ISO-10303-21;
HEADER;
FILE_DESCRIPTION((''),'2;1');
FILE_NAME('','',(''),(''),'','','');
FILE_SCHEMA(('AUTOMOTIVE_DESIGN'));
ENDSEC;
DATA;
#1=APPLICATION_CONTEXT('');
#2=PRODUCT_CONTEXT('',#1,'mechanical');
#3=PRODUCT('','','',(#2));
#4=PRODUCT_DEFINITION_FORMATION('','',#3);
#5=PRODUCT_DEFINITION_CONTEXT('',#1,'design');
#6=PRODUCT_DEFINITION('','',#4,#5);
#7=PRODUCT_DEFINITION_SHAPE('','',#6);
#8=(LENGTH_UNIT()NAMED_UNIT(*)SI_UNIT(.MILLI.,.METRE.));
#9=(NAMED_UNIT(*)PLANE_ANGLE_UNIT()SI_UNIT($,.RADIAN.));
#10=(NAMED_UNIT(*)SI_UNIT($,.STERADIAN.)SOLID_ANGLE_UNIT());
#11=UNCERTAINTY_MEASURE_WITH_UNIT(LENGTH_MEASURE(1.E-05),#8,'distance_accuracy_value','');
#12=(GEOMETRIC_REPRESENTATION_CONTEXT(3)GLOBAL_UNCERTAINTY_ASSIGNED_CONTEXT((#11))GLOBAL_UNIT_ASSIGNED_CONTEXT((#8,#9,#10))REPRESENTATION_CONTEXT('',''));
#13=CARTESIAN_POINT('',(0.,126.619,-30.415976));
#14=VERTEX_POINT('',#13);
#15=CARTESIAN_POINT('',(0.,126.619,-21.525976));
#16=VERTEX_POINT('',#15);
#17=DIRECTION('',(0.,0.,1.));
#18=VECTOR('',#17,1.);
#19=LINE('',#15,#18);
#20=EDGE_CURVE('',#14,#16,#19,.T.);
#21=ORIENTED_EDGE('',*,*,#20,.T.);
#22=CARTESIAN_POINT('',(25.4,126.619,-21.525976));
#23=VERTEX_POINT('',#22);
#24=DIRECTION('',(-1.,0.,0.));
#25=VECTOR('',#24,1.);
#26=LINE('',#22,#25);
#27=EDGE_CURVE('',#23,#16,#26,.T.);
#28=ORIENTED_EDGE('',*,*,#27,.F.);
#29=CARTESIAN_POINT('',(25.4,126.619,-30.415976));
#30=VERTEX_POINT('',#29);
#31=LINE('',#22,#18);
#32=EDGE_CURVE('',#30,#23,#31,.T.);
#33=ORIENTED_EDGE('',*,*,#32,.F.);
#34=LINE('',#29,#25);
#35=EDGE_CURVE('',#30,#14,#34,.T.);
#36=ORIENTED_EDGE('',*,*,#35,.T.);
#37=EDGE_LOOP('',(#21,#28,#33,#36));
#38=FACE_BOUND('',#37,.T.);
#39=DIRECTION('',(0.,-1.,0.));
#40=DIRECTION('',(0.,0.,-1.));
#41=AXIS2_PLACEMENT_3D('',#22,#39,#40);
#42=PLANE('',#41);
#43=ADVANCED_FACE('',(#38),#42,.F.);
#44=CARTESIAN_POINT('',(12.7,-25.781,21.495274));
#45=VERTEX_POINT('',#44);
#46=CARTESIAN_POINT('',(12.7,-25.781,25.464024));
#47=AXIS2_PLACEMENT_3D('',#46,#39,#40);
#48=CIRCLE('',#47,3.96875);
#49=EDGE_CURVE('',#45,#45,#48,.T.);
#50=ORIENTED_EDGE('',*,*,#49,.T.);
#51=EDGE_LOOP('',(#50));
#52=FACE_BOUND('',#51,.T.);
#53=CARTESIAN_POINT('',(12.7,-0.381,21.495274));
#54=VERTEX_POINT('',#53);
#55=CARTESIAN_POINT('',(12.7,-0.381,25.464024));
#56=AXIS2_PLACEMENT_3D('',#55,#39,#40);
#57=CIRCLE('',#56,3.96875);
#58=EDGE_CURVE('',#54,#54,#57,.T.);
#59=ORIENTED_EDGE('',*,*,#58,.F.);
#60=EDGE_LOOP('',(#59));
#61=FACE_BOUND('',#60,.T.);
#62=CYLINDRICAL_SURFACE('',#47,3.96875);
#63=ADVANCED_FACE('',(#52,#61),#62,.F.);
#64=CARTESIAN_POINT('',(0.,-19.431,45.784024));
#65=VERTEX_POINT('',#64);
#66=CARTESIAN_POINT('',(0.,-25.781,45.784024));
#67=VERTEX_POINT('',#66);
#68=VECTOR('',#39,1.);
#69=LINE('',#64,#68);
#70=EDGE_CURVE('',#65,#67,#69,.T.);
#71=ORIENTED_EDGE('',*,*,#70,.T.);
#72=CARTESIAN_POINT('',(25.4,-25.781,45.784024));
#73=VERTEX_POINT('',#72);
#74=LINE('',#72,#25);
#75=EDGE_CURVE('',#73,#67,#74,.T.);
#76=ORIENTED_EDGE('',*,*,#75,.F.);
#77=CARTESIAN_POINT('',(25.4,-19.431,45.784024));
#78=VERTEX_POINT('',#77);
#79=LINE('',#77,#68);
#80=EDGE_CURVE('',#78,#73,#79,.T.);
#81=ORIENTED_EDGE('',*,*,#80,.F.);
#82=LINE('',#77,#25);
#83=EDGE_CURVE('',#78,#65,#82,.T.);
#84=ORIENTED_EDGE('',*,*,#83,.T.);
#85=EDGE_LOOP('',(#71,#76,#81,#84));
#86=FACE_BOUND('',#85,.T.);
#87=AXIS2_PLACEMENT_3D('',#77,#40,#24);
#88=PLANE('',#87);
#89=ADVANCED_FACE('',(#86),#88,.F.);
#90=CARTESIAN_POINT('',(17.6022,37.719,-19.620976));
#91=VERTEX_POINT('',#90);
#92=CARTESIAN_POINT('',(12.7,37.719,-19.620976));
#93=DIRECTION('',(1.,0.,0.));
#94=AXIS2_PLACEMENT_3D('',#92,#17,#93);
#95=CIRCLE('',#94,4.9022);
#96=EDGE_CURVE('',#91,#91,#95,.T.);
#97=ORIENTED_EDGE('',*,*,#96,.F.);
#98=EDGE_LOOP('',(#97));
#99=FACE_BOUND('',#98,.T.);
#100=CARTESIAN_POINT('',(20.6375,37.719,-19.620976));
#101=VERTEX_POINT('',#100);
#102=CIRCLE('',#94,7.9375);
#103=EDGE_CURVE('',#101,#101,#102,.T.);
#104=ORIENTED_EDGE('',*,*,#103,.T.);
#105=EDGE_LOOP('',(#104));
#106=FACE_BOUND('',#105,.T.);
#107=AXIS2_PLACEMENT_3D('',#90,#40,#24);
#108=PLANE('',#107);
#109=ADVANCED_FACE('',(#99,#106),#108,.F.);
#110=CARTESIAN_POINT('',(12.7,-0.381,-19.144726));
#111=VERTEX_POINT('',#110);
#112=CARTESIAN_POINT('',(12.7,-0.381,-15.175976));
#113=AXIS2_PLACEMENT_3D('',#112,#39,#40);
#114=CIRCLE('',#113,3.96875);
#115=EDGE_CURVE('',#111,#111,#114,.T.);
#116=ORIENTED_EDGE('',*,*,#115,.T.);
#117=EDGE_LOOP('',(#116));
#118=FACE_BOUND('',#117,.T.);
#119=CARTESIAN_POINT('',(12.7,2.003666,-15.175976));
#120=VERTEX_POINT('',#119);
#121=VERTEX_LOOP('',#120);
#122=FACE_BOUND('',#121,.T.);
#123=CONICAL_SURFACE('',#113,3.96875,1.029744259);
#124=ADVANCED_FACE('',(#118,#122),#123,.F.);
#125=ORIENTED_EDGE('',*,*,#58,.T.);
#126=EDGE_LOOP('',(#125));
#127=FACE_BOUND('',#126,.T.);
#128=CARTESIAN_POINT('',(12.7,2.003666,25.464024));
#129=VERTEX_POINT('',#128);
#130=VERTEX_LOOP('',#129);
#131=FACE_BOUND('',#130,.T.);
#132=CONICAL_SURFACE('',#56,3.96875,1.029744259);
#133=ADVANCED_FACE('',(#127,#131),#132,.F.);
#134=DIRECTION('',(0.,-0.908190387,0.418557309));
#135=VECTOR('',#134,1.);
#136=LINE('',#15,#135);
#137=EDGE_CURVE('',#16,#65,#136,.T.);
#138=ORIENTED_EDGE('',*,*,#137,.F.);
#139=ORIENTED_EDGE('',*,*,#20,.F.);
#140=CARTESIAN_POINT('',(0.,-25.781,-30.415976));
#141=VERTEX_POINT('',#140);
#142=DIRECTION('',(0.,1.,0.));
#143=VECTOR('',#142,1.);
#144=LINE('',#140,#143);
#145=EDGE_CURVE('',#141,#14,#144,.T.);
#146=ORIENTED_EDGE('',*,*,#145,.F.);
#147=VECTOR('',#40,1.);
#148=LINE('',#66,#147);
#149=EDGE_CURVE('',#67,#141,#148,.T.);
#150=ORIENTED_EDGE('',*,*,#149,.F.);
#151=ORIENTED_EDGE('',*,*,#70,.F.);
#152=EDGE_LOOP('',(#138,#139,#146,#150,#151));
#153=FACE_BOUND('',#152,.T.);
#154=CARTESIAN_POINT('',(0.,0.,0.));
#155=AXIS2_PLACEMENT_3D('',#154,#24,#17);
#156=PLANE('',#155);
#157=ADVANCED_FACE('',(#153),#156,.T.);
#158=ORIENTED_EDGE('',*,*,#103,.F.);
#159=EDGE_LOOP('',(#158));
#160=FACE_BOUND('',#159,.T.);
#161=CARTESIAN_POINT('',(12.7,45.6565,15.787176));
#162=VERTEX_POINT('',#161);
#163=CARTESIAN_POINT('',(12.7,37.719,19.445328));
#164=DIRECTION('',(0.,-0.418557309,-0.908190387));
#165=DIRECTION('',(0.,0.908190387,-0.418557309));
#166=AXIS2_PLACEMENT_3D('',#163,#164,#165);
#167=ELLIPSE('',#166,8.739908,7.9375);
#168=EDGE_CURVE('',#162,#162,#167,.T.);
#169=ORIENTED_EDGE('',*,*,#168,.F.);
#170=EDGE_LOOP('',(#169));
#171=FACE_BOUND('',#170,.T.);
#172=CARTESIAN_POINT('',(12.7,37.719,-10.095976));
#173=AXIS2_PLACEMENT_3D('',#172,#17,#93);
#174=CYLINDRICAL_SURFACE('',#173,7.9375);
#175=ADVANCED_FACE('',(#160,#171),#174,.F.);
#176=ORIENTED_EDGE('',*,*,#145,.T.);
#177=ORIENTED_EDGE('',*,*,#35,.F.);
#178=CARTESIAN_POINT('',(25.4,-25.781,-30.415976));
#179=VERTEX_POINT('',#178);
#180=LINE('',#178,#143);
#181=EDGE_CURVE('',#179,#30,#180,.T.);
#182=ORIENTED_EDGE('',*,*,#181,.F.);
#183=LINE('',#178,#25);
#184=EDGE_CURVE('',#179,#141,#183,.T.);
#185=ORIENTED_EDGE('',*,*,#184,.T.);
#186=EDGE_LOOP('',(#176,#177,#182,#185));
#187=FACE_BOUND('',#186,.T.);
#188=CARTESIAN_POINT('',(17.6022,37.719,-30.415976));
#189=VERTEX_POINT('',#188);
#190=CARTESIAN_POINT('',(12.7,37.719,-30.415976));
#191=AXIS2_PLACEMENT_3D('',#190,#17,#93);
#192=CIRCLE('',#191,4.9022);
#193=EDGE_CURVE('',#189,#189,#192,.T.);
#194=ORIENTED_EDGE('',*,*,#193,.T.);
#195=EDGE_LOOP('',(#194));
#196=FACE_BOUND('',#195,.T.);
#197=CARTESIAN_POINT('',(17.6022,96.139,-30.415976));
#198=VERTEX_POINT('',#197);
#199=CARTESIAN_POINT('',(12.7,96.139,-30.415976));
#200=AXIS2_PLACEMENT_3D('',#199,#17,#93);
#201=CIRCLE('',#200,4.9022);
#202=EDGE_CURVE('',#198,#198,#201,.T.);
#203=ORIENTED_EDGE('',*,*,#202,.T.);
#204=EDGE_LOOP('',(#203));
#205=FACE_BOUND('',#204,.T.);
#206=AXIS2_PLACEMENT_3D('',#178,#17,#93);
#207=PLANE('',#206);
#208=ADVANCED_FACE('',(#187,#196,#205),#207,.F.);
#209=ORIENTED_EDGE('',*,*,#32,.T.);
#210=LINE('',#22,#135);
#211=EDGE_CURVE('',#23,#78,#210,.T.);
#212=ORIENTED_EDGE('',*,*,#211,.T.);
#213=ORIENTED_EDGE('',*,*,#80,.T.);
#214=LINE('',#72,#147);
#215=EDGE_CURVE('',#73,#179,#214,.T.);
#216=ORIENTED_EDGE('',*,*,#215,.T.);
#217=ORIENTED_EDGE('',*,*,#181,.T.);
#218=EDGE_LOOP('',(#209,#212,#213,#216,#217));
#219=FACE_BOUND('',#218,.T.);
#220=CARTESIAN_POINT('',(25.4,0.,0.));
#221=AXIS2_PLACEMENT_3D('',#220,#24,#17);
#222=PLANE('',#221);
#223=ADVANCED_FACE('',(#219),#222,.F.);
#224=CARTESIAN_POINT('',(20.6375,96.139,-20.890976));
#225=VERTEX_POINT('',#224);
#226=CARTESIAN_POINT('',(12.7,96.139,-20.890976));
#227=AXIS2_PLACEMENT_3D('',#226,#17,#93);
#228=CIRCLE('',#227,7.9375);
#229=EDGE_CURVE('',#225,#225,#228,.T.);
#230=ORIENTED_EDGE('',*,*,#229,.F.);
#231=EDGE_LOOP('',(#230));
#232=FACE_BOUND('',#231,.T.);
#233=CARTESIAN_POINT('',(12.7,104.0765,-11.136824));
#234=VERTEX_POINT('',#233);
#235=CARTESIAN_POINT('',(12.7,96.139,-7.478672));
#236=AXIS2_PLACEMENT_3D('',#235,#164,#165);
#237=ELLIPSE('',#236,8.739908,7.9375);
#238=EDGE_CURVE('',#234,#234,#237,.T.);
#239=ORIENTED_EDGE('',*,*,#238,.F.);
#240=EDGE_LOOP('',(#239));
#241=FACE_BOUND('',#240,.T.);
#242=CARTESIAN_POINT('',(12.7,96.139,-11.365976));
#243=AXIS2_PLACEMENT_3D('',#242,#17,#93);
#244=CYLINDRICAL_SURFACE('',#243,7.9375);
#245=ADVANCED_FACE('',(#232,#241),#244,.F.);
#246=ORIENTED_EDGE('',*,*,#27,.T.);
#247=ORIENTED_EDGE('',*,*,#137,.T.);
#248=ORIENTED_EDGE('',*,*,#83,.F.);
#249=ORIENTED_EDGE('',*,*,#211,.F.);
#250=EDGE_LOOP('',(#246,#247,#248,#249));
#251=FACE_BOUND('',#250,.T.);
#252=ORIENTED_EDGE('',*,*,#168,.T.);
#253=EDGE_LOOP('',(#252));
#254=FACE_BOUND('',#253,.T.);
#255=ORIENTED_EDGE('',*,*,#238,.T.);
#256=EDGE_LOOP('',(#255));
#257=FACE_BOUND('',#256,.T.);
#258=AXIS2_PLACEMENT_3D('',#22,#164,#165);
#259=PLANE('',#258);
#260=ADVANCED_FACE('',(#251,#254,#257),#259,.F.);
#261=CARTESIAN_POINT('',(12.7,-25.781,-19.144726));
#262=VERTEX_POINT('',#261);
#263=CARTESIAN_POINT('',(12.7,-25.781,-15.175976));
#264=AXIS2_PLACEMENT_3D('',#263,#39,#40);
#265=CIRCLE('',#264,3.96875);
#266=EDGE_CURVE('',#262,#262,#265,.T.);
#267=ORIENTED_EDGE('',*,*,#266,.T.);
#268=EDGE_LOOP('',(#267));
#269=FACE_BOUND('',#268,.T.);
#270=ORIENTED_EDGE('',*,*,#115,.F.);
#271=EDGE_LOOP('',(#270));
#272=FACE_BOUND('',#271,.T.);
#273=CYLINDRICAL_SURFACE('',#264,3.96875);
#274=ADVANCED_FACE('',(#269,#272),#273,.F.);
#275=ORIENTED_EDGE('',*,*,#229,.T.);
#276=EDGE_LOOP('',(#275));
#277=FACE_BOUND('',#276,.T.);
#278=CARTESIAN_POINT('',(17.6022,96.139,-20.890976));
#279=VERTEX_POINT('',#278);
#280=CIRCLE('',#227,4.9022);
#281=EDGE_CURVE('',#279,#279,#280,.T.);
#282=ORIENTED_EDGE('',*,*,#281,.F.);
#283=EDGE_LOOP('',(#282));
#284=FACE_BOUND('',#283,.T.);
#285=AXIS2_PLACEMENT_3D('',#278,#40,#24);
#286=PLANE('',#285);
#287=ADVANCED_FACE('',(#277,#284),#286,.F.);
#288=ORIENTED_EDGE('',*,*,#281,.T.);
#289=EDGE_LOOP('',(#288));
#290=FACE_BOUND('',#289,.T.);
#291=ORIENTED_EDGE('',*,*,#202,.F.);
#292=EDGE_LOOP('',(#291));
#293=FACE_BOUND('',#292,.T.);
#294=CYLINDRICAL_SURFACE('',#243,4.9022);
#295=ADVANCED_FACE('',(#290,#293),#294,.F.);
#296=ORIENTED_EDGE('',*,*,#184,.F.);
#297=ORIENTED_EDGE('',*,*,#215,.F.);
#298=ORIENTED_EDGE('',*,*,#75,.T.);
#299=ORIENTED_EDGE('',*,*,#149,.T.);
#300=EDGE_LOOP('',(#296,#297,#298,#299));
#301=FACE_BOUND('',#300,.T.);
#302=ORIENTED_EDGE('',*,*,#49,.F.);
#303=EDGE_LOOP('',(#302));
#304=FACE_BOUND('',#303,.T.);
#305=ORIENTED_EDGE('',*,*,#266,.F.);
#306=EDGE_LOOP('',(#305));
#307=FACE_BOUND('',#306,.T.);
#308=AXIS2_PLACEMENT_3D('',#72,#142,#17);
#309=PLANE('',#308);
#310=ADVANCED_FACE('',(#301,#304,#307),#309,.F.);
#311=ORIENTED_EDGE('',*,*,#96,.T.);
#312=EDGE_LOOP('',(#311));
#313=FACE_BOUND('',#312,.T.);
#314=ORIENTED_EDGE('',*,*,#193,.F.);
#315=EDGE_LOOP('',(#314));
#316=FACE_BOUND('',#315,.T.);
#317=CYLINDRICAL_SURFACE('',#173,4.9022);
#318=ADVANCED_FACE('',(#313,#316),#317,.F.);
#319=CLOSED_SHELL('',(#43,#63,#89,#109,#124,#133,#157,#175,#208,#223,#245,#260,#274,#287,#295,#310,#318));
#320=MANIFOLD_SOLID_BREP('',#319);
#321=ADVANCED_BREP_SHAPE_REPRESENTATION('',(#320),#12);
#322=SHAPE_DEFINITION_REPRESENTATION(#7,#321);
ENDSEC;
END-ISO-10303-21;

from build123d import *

# Parameters (mm, degrees)
BOSS_EXTRUDE2_DEPTH         = 25.4
CUT_EXTRUDE2_REACH          = 59.15
SKETCH7_R                   = 7.9375
F_3_8_16_TAPPED_HOLE1_D     = 7.9375
F_3_8_16_TAPPED_HOLE1_DEPTH = 25.4
F_3_8_16_TAPPED_HOLE1_TIP   = 2.384665582


with BuildPart() as part:
    # Sketch1 → Boss-Extrude2 (new body)
    with BuildSketch(Plane(origin=(0, 0, 0), x_dir=(0, 0, -1), z_dir=(1, 0, 0))):
        Polygon((21.525976172, 126.619), (-45.784023828, -19.431), (-45.784023828, -25.781), (30.415976172, -25.781), (30.415976172, 126.619), align=None)
    extrude(amount=BOSS_EXTRUDE2_DEPTH)

    # Sketch4 → CBORE for 3/8 Socket Head Cap Screw1 (revolve, cut)
    with BuildSketch(Plane(origin=(12.7, 96.139, -11.365976172), x_dir=(0, -1, 0), z_dir=(1, 0, 0))):
        Polygon((0, 0), (0, 19.05), (4.9022, 19.05), (4.9022, 9.525), (7.9375, 9.525), (7.9375, 0), align=None)
    revolve(axis=Axis((12.7, 96.139, -5.015976172), (0, 0, -1)), mode=Mode.SUBTRACT)

    # Sketch6 → CBORE for 3/8 Socket Head Cap Screw2 (revolve, cut)
    with BuildSketch(Plane(origin=(12.7, 37.719, -10.095976172), x_dir=(0, -1, 0), z_dir=(1, 0, 0))):
        Polygon((0, 0), (0, 20.32), (4.9022, 20.32), (4.9022, 9.525), (7.9375, 9.525), (7.9375, 0), align=None)
    revolve(axis=Axis((12.7, 37.719, -3.745976172), (0, 0, -1)), mode=Mode.SUBTRACT)

    # Sketch7 → Cut-Extrude2 (cut, up to next)
    with BuildSketch(Plane(origin=(0, 96.139, -11.365976172), x_dir=(1, 0, 0), z_dir=(0, 0, 1)), mode=Mode.PRIVATE) as cut_extrude2_sk1:
        with Locations((12.7, -58.42)):
            Circle(SKETCH7_R)
    cut_extrude2_tool1 = extrude(cut_extrude2_sk1.sketch, amount=CUT_EXTRUDE2_REACH, mode=Mode.PRIVATE) & part.part
    add(cut_extrude2_tool1.solids().sort_by_distance((12.7, 37.719, -11.365976))[0], mode=Mode.SUBTRACT)
    # Sketch7 → Cut-Extrude2 (cut, up to next)
    with BuildSketch(Plane(origin=(0, 96.139, -11.365976172), x_dir=(1, 0, 0), z_dir=(0, 0, 1)), mode=Mode.PRIVATE) as cut_extrude2_sk2:
        with Locations((12.7, 0)):
            Circle(SKETCH7_R)
    cut_extrude2_tool2 = extrude(cut_extrude2_sk2.sketch, amount=CUT_EXTRUDE2_REACH, mode=Mode.PRIVATE) & part.part
    add(cut_extrude2_tool2.solids().sort_by_distance((12.7, 96.139, -11.365976))[0], mode=Mode.SUBTRACT)

    # 3/8-16 Tapped Hole1
    with Locations(Plane(origin=(12.7, -25.781, -15.175976172), x_dir=(0, 0, -1), z_dir=(0, -1, 0))):
        with Locations((0, 0), (-40.64, 0)):
            Hole(F_3_8_16_TAPPED_HOLE1_D / 2, depth=F_3_8_16_TAPPED_HOLE1_DEPTH)
            with Locations((0, 0, -(F_3_8_16_TAPPED_HOLE1_DEPTH + F_3_8_16_TAPPED_HOLE1_TIP / 2))):  # 118° drill point
                Cone(0, F_3_8_16_TAPPED_HOLE1_D / 2, F_3_8_16_TAPPED_HOLE1_TIP, mode=Mode.SUBTRACT)


solid = part.part
